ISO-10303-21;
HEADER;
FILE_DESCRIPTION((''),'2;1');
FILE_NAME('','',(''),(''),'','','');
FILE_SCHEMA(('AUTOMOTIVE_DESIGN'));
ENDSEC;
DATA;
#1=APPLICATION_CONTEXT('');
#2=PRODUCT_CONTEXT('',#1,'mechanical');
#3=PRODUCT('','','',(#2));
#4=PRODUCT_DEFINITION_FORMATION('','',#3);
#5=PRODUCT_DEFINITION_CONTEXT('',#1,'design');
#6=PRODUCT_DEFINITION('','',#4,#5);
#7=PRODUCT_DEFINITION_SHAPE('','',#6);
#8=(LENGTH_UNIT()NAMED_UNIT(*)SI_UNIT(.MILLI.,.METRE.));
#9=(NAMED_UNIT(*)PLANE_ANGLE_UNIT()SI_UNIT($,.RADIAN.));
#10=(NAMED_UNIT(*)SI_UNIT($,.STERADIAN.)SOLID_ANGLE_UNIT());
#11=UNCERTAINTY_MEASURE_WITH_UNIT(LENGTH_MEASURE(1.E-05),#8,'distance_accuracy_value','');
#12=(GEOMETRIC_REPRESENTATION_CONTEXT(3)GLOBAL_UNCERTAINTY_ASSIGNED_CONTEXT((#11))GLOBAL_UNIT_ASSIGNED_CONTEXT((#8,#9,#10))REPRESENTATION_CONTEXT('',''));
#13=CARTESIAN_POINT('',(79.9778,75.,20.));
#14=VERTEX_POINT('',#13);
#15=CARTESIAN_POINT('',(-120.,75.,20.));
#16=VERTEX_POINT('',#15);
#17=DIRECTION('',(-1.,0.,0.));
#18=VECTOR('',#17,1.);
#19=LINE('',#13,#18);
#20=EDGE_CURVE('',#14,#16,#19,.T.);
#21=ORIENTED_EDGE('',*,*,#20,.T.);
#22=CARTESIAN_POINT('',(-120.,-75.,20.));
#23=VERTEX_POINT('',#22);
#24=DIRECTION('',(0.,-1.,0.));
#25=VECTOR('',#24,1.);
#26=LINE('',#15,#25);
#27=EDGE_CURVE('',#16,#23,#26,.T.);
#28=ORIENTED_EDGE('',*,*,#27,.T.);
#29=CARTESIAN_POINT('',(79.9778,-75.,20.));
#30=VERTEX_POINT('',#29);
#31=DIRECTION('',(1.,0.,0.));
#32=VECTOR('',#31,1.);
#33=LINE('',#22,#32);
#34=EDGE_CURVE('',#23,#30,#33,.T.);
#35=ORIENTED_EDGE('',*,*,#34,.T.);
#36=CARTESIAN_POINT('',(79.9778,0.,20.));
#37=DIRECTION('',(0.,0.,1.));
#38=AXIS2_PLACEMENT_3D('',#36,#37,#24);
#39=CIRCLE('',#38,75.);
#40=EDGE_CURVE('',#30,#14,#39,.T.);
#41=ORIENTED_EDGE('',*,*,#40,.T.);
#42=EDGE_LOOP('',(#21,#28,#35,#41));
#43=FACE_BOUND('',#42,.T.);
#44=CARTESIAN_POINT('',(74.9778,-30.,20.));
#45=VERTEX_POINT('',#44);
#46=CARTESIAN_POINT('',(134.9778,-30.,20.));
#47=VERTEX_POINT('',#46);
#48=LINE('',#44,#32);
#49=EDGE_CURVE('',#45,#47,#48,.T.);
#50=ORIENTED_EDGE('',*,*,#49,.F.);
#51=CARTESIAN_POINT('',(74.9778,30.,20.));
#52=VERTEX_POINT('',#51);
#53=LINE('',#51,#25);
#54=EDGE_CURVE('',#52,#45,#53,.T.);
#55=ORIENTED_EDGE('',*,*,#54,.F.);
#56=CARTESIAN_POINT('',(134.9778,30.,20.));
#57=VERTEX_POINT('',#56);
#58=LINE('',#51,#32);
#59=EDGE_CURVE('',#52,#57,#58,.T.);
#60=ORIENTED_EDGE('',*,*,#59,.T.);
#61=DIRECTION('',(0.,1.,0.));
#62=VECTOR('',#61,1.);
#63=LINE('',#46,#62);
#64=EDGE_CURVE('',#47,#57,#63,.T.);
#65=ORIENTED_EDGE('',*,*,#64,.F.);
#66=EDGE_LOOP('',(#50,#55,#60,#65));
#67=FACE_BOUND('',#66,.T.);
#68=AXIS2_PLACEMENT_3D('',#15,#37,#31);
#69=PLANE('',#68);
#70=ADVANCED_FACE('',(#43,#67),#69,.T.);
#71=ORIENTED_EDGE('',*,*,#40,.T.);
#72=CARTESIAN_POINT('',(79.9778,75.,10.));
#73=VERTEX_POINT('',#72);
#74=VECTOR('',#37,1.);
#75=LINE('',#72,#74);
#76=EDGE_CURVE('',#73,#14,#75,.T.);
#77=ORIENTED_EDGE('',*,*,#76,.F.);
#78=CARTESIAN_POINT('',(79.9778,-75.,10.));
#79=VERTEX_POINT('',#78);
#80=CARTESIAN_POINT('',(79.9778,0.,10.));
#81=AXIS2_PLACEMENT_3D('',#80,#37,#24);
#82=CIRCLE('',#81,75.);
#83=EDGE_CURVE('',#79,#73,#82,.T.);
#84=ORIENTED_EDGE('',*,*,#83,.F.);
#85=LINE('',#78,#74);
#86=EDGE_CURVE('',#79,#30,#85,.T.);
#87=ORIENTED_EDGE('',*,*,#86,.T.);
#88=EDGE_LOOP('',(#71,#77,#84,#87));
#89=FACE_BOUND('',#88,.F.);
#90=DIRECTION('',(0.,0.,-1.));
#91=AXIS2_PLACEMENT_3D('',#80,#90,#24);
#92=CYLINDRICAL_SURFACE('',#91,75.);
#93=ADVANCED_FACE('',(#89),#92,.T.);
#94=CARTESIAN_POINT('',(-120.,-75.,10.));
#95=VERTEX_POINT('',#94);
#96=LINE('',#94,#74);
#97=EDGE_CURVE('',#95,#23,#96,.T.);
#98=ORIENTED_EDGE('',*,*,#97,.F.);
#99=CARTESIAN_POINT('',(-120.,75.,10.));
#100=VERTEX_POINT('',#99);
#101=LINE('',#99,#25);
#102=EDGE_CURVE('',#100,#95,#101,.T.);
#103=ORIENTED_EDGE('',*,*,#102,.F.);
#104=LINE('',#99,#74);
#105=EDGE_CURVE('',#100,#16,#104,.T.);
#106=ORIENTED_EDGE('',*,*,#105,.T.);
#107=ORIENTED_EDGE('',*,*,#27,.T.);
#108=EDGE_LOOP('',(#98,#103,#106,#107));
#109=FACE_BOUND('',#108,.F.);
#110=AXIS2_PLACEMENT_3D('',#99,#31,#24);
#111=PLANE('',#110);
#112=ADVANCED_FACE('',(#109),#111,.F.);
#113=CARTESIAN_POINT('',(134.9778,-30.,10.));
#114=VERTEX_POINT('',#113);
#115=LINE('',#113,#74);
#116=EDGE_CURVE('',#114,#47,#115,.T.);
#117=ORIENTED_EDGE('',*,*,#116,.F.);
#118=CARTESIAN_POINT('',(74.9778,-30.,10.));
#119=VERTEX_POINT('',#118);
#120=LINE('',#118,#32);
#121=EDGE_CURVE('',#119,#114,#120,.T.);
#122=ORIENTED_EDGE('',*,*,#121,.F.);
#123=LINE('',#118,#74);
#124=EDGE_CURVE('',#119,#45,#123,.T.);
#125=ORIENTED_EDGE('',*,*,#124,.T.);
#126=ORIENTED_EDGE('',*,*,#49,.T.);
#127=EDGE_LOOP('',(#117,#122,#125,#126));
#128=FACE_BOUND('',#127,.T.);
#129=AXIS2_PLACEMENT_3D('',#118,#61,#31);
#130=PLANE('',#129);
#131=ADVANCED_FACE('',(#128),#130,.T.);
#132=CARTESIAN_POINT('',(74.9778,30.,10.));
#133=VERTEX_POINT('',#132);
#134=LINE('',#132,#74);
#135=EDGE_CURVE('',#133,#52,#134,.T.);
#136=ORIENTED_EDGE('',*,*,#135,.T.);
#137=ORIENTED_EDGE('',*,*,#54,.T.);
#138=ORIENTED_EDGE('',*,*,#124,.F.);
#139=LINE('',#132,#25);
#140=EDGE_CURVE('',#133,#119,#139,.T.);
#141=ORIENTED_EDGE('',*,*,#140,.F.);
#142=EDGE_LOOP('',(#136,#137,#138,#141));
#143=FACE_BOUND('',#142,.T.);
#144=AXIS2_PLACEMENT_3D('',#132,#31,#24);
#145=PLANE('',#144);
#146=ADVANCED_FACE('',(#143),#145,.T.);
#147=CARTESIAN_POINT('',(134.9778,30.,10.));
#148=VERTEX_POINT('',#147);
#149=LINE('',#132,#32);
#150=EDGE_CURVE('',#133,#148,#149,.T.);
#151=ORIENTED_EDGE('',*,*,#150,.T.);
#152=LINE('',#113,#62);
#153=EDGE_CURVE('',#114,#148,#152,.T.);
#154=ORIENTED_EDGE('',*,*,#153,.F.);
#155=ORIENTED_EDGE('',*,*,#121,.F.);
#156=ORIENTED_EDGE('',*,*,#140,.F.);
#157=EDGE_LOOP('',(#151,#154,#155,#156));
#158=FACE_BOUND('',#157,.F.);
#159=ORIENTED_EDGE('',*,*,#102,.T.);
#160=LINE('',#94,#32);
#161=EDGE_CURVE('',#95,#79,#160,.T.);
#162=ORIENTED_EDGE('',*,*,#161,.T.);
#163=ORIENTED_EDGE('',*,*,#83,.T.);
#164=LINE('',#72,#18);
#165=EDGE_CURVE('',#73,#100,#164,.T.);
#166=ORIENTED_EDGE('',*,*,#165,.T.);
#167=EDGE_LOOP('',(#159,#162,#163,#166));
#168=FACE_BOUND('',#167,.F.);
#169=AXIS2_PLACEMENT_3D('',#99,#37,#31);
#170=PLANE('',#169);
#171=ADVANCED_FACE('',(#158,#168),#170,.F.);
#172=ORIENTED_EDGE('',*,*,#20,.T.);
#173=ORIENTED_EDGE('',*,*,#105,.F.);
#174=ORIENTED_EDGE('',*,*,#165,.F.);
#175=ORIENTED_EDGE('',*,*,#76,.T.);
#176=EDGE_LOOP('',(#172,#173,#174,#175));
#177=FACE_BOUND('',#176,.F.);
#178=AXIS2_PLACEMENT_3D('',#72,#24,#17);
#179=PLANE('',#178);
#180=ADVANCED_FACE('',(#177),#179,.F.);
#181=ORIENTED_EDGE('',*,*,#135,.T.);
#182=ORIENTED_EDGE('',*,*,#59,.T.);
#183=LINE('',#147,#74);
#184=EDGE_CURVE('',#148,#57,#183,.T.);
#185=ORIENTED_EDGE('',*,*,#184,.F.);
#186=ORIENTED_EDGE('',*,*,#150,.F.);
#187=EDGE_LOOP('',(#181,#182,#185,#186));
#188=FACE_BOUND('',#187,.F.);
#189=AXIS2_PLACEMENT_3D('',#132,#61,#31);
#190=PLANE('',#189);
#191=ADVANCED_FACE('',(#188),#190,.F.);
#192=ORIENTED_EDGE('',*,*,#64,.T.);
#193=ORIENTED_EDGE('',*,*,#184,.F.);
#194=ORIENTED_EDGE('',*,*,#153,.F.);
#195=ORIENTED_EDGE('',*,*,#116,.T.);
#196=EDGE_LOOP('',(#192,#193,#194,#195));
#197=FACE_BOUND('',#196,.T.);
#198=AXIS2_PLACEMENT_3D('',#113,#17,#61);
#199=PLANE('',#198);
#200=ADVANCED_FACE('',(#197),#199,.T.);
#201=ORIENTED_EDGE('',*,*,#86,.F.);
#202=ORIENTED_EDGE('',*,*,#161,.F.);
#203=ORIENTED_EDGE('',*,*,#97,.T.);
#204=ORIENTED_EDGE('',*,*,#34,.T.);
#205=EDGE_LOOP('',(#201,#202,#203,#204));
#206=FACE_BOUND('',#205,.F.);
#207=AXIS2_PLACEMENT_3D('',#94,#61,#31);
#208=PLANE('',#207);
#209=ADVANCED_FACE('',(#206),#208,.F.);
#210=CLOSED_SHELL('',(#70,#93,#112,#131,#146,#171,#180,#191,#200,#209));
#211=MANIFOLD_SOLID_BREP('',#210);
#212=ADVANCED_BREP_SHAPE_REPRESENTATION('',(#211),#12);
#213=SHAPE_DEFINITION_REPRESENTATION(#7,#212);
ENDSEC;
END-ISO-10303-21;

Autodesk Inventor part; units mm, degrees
ref_plane "YZ Plane" through (0, 0, 0) normal (1, 0, 0) x (0, 1, 0)
ref_plane "XZ Plane" through (0, 0, 0) normal (0, 1, 0) x (-1, 0, 0)
ref_plane "XY Plane" through (0, 0, 0) normal (0, 0, 1) x (1, 0, 0)
ref_plane "РабПлоскость1" through (-120, 75, 10) normal (0, 0, 1) x (1, 0, 0)
sketch "Эскиз1" plane through (-120, 75, 10) normal (0, 0, 1) x (1, 0, 0)
  line L0 (199.9778, 0) -> (0, 0)
  line L1 (0, 0) -> (0, -150)
  line L2 (0, -150) -> (199.9778, -150)
  arc A0 (199.9778, -150) -> (199.9778, 0) centre (199.9778, -75) ccw
  line L3 (194.9778, -45) -> (194.9778, -105)
  line L4 (194.9778, -105) -> (254.9778, -105)
  line L5 (254.9778, -105) -> (254.9778, -45)
  line L6 (194.9778, -45) -> (254.9778, -45)
  dimension "d4" = 60
  dimension "d5" = 60
extrude "Выдавливание1" add sketch "Эскиз1" along normal blind 10
properties part number "Основание"
